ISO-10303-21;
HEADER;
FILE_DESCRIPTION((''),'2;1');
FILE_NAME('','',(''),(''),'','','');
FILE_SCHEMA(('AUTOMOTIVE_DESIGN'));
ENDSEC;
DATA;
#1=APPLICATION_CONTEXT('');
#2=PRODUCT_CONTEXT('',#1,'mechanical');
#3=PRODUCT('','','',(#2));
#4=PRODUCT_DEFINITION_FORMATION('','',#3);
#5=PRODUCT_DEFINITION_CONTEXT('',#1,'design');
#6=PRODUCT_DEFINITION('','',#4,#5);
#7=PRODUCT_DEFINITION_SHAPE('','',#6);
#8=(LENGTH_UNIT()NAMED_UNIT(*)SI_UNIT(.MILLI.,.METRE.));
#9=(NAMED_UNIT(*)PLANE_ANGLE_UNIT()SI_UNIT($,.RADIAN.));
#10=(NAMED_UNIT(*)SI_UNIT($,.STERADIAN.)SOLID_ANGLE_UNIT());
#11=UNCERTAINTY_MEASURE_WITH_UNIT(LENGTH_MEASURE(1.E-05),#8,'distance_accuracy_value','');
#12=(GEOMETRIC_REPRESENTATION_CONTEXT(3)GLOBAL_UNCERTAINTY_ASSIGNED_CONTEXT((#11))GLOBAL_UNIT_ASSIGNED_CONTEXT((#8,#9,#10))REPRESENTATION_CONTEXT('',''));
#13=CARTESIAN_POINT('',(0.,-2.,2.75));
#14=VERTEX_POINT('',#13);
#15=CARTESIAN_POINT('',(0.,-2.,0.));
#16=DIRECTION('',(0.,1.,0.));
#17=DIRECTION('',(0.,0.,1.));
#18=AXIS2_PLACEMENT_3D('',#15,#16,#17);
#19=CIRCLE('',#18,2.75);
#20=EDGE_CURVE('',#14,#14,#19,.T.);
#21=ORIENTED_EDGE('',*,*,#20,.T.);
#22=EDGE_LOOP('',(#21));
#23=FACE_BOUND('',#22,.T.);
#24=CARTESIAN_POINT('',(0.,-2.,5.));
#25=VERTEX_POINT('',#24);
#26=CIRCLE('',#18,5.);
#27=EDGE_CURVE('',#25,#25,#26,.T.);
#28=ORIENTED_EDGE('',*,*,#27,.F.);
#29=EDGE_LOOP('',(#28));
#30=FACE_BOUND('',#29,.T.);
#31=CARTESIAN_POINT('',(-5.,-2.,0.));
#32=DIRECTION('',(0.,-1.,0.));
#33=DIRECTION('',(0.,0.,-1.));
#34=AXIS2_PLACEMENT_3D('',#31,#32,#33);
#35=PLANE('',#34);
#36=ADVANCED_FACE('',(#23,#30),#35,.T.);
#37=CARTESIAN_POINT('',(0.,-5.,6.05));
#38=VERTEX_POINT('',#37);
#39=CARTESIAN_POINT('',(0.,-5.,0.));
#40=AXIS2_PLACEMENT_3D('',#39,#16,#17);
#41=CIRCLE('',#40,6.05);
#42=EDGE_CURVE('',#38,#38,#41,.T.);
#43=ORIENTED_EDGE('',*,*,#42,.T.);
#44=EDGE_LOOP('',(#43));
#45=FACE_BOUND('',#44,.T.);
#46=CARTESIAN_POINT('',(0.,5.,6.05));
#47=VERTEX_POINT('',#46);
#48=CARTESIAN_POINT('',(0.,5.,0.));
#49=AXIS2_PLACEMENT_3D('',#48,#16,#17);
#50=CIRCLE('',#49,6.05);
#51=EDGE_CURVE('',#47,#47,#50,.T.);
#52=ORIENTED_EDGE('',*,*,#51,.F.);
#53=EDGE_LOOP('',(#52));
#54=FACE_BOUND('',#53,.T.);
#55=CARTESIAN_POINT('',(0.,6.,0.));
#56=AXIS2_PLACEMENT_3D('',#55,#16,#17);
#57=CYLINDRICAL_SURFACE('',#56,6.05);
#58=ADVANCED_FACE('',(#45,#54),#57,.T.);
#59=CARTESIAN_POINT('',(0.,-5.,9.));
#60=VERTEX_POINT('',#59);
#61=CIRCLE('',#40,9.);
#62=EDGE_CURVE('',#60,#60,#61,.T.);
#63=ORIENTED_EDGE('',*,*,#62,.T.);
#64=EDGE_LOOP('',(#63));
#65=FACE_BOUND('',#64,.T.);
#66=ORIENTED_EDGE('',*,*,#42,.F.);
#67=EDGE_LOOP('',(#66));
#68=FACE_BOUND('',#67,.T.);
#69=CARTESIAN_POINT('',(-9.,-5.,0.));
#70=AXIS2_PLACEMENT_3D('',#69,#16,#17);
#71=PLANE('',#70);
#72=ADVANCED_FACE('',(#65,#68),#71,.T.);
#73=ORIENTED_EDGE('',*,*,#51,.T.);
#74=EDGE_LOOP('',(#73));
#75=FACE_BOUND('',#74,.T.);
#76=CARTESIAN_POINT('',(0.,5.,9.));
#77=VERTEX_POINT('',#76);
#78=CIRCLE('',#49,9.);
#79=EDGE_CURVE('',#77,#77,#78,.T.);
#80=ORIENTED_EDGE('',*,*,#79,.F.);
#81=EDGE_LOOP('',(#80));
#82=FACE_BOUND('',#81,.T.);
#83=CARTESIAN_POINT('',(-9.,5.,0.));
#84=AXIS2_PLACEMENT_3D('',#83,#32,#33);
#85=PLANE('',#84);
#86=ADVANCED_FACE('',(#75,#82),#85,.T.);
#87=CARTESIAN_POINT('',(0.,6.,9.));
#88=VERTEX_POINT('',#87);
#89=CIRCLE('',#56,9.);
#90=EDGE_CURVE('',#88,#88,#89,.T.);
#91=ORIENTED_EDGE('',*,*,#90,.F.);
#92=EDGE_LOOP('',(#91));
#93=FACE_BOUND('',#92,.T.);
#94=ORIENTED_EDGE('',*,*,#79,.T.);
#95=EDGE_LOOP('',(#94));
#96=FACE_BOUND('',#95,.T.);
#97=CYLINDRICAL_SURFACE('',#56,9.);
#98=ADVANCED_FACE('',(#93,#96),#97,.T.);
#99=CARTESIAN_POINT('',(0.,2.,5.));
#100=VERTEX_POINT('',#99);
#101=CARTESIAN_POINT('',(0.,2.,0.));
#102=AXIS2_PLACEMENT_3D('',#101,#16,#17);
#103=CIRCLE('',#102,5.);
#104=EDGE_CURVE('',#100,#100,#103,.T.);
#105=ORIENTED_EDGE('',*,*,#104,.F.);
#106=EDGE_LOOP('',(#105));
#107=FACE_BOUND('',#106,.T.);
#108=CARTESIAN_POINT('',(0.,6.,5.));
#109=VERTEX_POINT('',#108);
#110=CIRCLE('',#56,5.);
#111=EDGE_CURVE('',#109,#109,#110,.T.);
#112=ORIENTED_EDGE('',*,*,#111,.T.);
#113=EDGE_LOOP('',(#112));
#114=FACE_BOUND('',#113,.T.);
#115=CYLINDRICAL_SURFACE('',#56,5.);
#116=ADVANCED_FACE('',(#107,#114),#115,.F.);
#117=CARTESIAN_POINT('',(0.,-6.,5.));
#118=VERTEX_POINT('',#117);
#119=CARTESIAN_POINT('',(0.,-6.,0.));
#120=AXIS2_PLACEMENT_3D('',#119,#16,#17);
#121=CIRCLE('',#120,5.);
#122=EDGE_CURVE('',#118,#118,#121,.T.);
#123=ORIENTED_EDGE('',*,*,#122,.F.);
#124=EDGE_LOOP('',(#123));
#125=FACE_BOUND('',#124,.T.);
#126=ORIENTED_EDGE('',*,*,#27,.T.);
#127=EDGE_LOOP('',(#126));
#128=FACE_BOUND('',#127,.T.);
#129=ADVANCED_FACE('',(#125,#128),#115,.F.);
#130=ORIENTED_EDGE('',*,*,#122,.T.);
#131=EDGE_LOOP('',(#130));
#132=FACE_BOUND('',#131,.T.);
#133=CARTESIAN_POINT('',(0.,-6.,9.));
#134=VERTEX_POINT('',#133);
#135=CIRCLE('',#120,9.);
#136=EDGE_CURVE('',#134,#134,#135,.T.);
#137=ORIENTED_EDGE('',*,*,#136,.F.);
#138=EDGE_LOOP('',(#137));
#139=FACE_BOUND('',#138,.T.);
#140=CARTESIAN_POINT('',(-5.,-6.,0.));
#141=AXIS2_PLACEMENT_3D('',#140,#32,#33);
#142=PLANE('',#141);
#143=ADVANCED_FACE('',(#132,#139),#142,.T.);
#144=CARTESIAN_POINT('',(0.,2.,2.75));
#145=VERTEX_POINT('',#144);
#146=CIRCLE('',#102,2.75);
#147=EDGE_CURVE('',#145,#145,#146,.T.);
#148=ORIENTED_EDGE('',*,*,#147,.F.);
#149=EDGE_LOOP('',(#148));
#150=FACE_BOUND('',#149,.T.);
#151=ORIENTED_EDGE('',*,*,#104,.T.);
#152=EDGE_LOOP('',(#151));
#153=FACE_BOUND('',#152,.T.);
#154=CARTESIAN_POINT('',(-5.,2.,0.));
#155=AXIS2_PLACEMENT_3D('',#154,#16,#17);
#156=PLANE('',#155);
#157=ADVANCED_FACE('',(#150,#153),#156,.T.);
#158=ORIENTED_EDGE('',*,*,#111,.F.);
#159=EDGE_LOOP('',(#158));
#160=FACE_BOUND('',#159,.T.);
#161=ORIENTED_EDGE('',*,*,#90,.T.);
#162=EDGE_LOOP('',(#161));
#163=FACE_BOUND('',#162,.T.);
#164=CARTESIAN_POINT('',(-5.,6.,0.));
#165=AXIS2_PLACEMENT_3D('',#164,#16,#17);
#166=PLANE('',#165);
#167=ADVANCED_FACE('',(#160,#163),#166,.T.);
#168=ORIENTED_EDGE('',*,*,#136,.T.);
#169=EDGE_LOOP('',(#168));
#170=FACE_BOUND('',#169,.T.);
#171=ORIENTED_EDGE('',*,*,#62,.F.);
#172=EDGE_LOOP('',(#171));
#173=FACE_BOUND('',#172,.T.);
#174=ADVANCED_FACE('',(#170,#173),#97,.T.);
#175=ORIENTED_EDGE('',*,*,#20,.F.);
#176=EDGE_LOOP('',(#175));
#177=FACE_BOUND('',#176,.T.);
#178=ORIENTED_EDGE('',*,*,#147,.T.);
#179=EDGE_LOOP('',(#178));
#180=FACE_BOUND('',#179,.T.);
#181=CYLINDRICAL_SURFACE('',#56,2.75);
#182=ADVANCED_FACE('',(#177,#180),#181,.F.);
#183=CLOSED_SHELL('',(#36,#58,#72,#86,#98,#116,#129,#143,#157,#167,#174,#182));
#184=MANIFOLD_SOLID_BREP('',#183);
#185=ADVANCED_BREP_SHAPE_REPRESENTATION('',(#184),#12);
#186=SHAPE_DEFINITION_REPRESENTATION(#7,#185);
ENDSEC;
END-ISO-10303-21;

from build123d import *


with BuildPart() as part:
    # Sketch1 → Revolve1 (revolve)
    with BuildSketch(Plane.XY):
        Polygon((-5, 6), (-9, 6), (-9, 5), (-6.05, 5), (-6.05, -5), (-9, -5), (-9, -6), (-5, -6), (-5, -2), (-2.75, -2), (-2.75, 2), (-5, 2), align=None)
    revolve(axis=Axis((0, 6, 0), (0, -1, 0)))


solid = part.part
